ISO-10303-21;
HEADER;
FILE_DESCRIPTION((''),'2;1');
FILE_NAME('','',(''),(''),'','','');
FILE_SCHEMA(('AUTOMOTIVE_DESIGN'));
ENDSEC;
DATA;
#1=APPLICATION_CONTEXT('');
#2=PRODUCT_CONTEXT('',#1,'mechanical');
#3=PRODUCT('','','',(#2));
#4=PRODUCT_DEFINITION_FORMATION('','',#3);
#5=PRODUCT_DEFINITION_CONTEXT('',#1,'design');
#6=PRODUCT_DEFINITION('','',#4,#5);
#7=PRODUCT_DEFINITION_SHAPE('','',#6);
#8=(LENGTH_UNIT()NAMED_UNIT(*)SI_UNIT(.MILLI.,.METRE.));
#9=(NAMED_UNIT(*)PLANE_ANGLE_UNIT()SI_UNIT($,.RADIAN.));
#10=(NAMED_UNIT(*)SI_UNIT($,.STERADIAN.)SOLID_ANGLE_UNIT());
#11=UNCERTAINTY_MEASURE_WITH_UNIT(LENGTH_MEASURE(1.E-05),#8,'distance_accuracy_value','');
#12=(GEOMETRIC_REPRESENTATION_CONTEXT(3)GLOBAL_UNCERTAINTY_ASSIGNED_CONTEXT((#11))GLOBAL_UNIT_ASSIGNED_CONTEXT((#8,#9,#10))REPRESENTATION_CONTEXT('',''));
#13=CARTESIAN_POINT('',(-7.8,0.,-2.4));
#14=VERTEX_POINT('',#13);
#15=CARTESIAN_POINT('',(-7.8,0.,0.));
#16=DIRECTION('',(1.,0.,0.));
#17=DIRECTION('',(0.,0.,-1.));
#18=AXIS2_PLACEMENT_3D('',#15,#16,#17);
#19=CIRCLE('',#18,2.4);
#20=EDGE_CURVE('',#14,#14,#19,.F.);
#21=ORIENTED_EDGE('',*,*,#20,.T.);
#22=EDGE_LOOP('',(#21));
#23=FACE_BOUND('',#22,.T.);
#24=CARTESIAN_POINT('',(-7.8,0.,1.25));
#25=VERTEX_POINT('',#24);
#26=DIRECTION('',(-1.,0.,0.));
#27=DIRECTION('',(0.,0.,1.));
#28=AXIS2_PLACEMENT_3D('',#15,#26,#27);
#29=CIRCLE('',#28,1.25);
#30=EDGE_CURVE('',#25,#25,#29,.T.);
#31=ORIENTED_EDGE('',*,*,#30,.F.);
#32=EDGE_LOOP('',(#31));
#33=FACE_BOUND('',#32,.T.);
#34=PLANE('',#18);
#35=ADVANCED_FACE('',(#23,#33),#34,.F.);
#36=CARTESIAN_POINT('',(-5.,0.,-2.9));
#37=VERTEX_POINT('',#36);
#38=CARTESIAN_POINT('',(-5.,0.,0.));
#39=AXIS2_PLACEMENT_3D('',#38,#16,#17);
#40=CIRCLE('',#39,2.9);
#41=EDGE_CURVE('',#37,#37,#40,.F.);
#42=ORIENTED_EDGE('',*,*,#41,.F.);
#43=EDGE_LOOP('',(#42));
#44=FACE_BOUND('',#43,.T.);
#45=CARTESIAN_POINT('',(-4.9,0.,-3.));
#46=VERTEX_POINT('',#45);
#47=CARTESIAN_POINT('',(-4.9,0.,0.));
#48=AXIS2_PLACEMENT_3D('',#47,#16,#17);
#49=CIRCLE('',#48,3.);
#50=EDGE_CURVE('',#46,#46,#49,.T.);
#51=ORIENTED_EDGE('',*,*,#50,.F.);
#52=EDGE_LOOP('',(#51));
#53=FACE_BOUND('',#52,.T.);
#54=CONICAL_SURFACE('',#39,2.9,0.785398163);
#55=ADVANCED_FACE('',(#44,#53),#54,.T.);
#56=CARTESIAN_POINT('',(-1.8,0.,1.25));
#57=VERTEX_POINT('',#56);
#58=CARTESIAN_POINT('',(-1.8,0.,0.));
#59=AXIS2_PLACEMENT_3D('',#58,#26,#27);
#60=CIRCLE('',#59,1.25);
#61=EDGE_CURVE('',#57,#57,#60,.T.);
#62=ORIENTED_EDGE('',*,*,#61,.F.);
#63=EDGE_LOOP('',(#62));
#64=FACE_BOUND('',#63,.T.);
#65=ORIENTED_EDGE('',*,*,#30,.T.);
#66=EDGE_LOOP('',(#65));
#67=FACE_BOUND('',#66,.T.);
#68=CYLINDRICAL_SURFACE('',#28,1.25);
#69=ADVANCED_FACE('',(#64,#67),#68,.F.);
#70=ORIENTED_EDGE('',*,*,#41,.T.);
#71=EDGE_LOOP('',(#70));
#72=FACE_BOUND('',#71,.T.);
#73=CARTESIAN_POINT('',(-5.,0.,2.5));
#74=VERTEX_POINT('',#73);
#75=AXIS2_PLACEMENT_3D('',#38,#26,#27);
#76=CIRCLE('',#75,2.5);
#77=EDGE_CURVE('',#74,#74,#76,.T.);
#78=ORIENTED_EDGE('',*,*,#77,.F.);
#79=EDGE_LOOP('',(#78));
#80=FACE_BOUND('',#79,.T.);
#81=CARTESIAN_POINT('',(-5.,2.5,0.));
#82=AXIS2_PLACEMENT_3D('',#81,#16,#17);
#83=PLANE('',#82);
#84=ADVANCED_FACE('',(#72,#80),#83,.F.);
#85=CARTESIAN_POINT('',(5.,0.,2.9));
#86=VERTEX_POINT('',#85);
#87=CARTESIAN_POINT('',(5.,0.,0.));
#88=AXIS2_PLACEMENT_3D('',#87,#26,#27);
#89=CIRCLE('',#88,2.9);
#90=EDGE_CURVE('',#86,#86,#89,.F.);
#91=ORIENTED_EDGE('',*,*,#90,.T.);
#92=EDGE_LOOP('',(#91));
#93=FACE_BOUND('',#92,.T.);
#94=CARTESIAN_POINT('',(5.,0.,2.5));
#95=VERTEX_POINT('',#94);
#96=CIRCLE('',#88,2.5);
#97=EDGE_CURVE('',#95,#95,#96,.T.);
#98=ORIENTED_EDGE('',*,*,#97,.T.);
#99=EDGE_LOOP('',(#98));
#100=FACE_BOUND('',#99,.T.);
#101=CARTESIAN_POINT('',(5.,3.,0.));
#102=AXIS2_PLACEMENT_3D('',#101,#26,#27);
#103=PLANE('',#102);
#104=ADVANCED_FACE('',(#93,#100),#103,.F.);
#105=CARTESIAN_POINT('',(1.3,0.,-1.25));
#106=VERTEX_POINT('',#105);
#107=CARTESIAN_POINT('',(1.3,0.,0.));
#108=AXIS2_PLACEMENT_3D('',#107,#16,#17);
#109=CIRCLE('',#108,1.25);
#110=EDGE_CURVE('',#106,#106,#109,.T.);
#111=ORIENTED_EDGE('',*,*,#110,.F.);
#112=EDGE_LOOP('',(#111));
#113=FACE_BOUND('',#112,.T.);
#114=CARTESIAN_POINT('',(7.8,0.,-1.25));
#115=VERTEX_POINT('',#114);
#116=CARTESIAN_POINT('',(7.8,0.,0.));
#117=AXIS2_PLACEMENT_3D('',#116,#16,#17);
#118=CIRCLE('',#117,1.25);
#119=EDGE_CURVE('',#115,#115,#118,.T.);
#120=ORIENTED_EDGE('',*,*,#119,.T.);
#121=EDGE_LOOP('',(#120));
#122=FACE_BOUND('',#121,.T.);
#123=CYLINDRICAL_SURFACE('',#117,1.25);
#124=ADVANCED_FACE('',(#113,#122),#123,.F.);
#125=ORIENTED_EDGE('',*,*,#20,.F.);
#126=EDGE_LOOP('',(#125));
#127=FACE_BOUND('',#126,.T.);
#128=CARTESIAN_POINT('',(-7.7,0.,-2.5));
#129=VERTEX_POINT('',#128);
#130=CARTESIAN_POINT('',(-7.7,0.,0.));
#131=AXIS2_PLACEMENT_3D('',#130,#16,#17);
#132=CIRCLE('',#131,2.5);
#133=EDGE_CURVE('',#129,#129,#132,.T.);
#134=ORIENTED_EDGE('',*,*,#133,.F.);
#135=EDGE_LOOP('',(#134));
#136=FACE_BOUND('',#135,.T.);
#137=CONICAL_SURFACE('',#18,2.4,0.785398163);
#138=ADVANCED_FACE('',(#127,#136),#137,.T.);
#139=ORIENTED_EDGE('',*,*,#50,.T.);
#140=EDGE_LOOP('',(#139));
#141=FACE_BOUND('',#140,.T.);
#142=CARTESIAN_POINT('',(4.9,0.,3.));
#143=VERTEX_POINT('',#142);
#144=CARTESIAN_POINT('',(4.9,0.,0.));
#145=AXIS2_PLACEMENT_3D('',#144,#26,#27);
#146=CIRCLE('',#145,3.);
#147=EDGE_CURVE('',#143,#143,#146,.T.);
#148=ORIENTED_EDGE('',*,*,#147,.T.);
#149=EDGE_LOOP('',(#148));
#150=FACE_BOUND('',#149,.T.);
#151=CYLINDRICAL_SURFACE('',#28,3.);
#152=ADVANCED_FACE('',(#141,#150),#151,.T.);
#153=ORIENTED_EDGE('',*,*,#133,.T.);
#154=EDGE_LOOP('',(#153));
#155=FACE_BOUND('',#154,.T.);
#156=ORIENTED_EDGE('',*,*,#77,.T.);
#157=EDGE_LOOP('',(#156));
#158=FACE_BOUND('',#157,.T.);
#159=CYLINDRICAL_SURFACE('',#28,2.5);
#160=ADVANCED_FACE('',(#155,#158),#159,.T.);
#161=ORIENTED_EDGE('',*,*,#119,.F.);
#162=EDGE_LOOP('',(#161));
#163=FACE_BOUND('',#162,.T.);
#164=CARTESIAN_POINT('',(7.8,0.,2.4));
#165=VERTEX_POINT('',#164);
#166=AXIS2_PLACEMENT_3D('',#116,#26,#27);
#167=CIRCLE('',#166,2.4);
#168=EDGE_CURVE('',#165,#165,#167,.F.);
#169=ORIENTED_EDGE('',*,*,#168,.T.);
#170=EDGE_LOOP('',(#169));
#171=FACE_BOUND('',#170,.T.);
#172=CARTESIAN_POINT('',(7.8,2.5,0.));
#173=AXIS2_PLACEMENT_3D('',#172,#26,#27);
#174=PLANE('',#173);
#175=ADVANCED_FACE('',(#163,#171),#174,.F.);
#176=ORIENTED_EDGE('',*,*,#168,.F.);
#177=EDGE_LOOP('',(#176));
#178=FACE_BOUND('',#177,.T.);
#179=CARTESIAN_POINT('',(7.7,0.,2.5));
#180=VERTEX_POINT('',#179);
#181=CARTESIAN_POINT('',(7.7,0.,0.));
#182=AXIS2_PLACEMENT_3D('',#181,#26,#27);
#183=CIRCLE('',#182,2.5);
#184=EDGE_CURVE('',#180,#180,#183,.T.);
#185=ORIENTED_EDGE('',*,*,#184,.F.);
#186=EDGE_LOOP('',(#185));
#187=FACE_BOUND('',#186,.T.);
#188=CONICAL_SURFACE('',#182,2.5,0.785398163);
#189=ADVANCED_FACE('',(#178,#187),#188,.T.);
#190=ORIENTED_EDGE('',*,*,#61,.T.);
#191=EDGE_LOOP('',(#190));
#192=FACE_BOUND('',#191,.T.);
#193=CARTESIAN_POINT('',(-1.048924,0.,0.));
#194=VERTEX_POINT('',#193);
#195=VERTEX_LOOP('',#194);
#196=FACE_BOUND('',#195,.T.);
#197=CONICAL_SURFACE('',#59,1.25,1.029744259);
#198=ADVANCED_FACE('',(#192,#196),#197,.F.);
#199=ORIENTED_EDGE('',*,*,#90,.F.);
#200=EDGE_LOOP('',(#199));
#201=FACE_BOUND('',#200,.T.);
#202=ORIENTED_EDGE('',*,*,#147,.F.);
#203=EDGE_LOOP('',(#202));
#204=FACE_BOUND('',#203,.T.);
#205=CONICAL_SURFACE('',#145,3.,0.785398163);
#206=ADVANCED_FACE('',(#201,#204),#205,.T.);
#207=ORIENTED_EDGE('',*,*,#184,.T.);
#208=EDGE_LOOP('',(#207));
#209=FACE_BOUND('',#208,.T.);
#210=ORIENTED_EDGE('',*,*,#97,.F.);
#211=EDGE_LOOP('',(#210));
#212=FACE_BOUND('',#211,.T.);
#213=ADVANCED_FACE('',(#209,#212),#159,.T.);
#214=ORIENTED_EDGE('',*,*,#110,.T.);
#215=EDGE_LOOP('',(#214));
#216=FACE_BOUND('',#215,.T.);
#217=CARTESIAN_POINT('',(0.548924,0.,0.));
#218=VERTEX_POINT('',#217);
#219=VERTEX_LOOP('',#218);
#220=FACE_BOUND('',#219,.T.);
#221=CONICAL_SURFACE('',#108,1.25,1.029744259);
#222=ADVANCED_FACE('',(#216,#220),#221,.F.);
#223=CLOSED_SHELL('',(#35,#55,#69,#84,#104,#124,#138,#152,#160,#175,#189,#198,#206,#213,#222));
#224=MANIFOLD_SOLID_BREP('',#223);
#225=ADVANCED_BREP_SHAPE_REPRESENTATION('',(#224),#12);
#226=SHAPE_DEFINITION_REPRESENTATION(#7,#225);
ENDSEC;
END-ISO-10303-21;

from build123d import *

# Parameters (mm, degrees)
HOLE_WIZARD_M3_2_D     = 2.5
HOLE_WIZARD_M3_2_DEPTH = 6
HOLE_WIZARD_M3_2_TIP   = 0.751075774
HOLE_WIZARD_M3_3_D     = 2.5
HOLE_WIZARD_M3_3_DEPTH = 6.5
HOLE_WIZARD_M3_3_TIP   = 0.751075774
CHAMFER_1_SIZE         = 0.1


with BuildPart() as part:
    # 草图2 → 旋转1 (revolve)
    with BuildSketch(Plane.XY, mode=Mode.PRIVATE) as revolve_1_sk:
        Polygon((-7.8, 0), (-7.8, 2.5), (-5, 2.5), (-5, 3), (5, 3), (5, 2.5), (7.8, 2.5), (7.8, 0), align=None)
    revolve(revolve_1_sk.sketch.rotate(Axis((-7.8, 0, 0), (1, 0, 0)), 90), axis=Axis((-7.8, 0, 0), (1, 0, 0)))

    # M3 螺纹孔2
    with Locations(Plane.ZY.offset(7.8)):
        with Locations((0, 0)):
            Hole(HOLE_WIZARD_M3_2_D / 2, depth=HOLE_WIZARD_M3_2_DEPTH)
            with Locations((0, 0, -(HOLE_WIZARD_M3_2_DEPTH + HOLE_WIZARD_M3_2_TIP / 2))):  # 118° drill point
                Cone(0, HOLE_WIZARD_M3_2_D / 2, HOLE_WIZARD_M3_2_TIP, mode=Mode.SUBTRACT)

    # M3 螺纹孔3
    with Locations(Plane(origin=(7.8, 0, 0), x_dir=(0, 0, -1), z_dir=(1, 0, 0))):
        with Locations((0, 0)):
            Hole(HOLE_WIZARD_M3_3_D / 2, depth=HOLE_WIZARD_M3_3_DEPTH)
            with Locations((0, 0, -(HOLE_WIZARD_M3_3_DEPTH + HOLE_WIZARD_M3_3_TIP / 2))):  # 118° drill point
                Cone(0, HOLE_WIZARD_M3_3_D / 2, HOLE_WIZARD_M3_3_TIP, mode=Mode.SUBTRACT)

    # 倒角1
    chamfer_1_edges = [part.edges().sort_by_distance(p)[0] for p in [
        (7.8, 0, -2.5),
        (5, 0, -3),
        (-5, 0, -3),
        (-7.8, 0, -2.5),
    ]]
    chamfer(chamfer_1_edges, length=CHAMFER_1_SIZE)


solid = part.part
